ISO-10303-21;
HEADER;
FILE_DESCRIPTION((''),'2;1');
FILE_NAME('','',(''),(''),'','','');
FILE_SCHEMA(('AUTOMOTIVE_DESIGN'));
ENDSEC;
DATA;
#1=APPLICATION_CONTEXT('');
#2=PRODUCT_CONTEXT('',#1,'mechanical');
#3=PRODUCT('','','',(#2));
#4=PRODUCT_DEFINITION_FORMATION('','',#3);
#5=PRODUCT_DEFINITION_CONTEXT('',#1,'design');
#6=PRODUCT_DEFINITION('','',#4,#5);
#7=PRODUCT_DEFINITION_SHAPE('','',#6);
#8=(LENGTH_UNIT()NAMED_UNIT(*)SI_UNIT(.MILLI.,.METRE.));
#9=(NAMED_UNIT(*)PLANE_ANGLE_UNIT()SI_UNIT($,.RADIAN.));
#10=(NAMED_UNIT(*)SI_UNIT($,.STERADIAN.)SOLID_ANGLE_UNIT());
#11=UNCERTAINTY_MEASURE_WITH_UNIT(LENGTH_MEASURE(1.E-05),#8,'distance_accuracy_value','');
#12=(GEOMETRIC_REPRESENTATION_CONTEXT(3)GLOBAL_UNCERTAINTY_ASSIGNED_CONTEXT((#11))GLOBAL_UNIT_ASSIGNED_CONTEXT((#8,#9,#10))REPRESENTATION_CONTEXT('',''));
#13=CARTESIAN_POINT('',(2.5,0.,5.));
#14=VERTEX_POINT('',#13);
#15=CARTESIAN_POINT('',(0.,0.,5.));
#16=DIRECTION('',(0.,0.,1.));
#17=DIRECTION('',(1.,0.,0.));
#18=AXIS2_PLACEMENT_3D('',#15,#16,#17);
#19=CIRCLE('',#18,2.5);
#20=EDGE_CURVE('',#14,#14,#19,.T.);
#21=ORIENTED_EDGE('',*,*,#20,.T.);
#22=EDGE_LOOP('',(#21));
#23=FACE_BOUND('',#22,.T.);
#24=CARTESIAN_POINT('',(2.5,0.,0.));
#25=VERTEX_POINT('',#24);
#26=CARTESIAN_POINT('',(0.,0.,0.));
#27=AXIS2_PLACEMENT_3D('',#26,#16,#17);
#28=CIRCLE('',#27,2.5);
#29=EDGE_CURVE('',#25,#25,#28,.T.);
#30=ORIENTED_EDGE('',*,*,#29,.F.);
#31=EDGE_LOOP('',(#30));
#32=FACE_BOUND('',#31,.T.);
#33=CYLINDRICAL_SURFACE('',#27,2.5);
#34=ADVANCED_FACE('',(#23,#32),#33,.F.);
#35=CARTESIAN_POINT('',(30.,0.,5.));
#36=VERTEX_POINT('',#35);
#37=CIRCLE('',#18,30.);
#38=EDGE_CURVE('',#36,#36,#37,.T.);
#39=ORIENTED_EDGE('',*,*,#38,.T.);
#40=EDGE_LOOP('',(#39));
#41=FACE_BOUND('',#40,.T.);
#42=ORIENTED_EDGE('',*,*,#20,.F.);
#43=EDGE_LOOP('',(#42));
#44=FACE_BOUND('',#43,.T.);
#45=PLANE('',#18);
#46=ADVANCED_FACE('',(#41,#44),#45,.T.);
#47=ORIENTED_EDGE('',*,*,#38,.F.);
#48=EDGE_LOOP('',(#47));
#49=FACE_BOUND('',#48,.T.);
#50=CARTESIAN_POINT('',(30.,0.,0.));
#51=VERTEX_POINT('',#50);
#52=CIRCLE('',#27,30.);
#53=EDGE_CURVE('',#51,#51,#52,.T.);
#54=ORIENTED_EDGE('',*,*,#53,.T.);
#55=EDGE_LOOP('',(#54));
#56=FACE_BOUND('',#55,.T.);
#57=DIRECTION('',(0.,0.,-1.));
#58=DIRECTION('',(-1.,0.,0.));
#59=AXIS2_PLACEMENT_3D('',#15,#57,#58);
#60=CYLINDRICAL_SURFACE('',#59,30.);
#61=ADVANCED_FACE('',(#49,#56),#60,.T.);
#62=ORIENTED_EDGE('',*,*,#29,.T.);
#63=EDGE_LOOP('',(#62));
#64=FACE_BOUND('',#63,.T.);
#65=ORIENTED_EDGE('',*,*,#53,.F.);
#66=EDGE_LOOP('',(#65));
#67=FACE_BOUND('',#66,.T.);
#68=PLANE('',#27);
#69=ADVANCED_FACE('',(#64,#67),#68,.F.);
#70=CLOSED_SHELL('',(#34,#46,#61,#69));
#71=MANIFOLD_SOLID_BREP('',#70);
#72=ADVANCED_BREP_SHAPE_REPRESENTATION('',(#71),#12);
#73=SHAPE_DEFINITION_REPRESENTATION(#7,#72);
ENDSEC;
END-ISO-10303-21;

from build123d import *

# Parameters (mm, degrees)
SKETCH1_R           = 30
BOSS_EXTRUDE1_DEPTH = 5
SKETCH2_R           = 2.5
CUT_EXTRUDE1_DEPTH  = 5


with BuildPart() as part:
    # Sketch1 → Boss-Extrude1 (new body)
    with BuildSketch(Plane.XY):
        Circle(SKETCH1_R)
    extrude(amount=BOSS_EXTRUDE1_DEPTH)

    # Sketch2 → Cut-Extrude1 (cut)
    with BuildSketch(Plane.XY.offset(5)):
        Circle(SKETCH2_R)
    extrude(amount=-CUT_EXTRUDE1_DEPTH, mode=Mode.SUBTRACT)


solid = part.part
